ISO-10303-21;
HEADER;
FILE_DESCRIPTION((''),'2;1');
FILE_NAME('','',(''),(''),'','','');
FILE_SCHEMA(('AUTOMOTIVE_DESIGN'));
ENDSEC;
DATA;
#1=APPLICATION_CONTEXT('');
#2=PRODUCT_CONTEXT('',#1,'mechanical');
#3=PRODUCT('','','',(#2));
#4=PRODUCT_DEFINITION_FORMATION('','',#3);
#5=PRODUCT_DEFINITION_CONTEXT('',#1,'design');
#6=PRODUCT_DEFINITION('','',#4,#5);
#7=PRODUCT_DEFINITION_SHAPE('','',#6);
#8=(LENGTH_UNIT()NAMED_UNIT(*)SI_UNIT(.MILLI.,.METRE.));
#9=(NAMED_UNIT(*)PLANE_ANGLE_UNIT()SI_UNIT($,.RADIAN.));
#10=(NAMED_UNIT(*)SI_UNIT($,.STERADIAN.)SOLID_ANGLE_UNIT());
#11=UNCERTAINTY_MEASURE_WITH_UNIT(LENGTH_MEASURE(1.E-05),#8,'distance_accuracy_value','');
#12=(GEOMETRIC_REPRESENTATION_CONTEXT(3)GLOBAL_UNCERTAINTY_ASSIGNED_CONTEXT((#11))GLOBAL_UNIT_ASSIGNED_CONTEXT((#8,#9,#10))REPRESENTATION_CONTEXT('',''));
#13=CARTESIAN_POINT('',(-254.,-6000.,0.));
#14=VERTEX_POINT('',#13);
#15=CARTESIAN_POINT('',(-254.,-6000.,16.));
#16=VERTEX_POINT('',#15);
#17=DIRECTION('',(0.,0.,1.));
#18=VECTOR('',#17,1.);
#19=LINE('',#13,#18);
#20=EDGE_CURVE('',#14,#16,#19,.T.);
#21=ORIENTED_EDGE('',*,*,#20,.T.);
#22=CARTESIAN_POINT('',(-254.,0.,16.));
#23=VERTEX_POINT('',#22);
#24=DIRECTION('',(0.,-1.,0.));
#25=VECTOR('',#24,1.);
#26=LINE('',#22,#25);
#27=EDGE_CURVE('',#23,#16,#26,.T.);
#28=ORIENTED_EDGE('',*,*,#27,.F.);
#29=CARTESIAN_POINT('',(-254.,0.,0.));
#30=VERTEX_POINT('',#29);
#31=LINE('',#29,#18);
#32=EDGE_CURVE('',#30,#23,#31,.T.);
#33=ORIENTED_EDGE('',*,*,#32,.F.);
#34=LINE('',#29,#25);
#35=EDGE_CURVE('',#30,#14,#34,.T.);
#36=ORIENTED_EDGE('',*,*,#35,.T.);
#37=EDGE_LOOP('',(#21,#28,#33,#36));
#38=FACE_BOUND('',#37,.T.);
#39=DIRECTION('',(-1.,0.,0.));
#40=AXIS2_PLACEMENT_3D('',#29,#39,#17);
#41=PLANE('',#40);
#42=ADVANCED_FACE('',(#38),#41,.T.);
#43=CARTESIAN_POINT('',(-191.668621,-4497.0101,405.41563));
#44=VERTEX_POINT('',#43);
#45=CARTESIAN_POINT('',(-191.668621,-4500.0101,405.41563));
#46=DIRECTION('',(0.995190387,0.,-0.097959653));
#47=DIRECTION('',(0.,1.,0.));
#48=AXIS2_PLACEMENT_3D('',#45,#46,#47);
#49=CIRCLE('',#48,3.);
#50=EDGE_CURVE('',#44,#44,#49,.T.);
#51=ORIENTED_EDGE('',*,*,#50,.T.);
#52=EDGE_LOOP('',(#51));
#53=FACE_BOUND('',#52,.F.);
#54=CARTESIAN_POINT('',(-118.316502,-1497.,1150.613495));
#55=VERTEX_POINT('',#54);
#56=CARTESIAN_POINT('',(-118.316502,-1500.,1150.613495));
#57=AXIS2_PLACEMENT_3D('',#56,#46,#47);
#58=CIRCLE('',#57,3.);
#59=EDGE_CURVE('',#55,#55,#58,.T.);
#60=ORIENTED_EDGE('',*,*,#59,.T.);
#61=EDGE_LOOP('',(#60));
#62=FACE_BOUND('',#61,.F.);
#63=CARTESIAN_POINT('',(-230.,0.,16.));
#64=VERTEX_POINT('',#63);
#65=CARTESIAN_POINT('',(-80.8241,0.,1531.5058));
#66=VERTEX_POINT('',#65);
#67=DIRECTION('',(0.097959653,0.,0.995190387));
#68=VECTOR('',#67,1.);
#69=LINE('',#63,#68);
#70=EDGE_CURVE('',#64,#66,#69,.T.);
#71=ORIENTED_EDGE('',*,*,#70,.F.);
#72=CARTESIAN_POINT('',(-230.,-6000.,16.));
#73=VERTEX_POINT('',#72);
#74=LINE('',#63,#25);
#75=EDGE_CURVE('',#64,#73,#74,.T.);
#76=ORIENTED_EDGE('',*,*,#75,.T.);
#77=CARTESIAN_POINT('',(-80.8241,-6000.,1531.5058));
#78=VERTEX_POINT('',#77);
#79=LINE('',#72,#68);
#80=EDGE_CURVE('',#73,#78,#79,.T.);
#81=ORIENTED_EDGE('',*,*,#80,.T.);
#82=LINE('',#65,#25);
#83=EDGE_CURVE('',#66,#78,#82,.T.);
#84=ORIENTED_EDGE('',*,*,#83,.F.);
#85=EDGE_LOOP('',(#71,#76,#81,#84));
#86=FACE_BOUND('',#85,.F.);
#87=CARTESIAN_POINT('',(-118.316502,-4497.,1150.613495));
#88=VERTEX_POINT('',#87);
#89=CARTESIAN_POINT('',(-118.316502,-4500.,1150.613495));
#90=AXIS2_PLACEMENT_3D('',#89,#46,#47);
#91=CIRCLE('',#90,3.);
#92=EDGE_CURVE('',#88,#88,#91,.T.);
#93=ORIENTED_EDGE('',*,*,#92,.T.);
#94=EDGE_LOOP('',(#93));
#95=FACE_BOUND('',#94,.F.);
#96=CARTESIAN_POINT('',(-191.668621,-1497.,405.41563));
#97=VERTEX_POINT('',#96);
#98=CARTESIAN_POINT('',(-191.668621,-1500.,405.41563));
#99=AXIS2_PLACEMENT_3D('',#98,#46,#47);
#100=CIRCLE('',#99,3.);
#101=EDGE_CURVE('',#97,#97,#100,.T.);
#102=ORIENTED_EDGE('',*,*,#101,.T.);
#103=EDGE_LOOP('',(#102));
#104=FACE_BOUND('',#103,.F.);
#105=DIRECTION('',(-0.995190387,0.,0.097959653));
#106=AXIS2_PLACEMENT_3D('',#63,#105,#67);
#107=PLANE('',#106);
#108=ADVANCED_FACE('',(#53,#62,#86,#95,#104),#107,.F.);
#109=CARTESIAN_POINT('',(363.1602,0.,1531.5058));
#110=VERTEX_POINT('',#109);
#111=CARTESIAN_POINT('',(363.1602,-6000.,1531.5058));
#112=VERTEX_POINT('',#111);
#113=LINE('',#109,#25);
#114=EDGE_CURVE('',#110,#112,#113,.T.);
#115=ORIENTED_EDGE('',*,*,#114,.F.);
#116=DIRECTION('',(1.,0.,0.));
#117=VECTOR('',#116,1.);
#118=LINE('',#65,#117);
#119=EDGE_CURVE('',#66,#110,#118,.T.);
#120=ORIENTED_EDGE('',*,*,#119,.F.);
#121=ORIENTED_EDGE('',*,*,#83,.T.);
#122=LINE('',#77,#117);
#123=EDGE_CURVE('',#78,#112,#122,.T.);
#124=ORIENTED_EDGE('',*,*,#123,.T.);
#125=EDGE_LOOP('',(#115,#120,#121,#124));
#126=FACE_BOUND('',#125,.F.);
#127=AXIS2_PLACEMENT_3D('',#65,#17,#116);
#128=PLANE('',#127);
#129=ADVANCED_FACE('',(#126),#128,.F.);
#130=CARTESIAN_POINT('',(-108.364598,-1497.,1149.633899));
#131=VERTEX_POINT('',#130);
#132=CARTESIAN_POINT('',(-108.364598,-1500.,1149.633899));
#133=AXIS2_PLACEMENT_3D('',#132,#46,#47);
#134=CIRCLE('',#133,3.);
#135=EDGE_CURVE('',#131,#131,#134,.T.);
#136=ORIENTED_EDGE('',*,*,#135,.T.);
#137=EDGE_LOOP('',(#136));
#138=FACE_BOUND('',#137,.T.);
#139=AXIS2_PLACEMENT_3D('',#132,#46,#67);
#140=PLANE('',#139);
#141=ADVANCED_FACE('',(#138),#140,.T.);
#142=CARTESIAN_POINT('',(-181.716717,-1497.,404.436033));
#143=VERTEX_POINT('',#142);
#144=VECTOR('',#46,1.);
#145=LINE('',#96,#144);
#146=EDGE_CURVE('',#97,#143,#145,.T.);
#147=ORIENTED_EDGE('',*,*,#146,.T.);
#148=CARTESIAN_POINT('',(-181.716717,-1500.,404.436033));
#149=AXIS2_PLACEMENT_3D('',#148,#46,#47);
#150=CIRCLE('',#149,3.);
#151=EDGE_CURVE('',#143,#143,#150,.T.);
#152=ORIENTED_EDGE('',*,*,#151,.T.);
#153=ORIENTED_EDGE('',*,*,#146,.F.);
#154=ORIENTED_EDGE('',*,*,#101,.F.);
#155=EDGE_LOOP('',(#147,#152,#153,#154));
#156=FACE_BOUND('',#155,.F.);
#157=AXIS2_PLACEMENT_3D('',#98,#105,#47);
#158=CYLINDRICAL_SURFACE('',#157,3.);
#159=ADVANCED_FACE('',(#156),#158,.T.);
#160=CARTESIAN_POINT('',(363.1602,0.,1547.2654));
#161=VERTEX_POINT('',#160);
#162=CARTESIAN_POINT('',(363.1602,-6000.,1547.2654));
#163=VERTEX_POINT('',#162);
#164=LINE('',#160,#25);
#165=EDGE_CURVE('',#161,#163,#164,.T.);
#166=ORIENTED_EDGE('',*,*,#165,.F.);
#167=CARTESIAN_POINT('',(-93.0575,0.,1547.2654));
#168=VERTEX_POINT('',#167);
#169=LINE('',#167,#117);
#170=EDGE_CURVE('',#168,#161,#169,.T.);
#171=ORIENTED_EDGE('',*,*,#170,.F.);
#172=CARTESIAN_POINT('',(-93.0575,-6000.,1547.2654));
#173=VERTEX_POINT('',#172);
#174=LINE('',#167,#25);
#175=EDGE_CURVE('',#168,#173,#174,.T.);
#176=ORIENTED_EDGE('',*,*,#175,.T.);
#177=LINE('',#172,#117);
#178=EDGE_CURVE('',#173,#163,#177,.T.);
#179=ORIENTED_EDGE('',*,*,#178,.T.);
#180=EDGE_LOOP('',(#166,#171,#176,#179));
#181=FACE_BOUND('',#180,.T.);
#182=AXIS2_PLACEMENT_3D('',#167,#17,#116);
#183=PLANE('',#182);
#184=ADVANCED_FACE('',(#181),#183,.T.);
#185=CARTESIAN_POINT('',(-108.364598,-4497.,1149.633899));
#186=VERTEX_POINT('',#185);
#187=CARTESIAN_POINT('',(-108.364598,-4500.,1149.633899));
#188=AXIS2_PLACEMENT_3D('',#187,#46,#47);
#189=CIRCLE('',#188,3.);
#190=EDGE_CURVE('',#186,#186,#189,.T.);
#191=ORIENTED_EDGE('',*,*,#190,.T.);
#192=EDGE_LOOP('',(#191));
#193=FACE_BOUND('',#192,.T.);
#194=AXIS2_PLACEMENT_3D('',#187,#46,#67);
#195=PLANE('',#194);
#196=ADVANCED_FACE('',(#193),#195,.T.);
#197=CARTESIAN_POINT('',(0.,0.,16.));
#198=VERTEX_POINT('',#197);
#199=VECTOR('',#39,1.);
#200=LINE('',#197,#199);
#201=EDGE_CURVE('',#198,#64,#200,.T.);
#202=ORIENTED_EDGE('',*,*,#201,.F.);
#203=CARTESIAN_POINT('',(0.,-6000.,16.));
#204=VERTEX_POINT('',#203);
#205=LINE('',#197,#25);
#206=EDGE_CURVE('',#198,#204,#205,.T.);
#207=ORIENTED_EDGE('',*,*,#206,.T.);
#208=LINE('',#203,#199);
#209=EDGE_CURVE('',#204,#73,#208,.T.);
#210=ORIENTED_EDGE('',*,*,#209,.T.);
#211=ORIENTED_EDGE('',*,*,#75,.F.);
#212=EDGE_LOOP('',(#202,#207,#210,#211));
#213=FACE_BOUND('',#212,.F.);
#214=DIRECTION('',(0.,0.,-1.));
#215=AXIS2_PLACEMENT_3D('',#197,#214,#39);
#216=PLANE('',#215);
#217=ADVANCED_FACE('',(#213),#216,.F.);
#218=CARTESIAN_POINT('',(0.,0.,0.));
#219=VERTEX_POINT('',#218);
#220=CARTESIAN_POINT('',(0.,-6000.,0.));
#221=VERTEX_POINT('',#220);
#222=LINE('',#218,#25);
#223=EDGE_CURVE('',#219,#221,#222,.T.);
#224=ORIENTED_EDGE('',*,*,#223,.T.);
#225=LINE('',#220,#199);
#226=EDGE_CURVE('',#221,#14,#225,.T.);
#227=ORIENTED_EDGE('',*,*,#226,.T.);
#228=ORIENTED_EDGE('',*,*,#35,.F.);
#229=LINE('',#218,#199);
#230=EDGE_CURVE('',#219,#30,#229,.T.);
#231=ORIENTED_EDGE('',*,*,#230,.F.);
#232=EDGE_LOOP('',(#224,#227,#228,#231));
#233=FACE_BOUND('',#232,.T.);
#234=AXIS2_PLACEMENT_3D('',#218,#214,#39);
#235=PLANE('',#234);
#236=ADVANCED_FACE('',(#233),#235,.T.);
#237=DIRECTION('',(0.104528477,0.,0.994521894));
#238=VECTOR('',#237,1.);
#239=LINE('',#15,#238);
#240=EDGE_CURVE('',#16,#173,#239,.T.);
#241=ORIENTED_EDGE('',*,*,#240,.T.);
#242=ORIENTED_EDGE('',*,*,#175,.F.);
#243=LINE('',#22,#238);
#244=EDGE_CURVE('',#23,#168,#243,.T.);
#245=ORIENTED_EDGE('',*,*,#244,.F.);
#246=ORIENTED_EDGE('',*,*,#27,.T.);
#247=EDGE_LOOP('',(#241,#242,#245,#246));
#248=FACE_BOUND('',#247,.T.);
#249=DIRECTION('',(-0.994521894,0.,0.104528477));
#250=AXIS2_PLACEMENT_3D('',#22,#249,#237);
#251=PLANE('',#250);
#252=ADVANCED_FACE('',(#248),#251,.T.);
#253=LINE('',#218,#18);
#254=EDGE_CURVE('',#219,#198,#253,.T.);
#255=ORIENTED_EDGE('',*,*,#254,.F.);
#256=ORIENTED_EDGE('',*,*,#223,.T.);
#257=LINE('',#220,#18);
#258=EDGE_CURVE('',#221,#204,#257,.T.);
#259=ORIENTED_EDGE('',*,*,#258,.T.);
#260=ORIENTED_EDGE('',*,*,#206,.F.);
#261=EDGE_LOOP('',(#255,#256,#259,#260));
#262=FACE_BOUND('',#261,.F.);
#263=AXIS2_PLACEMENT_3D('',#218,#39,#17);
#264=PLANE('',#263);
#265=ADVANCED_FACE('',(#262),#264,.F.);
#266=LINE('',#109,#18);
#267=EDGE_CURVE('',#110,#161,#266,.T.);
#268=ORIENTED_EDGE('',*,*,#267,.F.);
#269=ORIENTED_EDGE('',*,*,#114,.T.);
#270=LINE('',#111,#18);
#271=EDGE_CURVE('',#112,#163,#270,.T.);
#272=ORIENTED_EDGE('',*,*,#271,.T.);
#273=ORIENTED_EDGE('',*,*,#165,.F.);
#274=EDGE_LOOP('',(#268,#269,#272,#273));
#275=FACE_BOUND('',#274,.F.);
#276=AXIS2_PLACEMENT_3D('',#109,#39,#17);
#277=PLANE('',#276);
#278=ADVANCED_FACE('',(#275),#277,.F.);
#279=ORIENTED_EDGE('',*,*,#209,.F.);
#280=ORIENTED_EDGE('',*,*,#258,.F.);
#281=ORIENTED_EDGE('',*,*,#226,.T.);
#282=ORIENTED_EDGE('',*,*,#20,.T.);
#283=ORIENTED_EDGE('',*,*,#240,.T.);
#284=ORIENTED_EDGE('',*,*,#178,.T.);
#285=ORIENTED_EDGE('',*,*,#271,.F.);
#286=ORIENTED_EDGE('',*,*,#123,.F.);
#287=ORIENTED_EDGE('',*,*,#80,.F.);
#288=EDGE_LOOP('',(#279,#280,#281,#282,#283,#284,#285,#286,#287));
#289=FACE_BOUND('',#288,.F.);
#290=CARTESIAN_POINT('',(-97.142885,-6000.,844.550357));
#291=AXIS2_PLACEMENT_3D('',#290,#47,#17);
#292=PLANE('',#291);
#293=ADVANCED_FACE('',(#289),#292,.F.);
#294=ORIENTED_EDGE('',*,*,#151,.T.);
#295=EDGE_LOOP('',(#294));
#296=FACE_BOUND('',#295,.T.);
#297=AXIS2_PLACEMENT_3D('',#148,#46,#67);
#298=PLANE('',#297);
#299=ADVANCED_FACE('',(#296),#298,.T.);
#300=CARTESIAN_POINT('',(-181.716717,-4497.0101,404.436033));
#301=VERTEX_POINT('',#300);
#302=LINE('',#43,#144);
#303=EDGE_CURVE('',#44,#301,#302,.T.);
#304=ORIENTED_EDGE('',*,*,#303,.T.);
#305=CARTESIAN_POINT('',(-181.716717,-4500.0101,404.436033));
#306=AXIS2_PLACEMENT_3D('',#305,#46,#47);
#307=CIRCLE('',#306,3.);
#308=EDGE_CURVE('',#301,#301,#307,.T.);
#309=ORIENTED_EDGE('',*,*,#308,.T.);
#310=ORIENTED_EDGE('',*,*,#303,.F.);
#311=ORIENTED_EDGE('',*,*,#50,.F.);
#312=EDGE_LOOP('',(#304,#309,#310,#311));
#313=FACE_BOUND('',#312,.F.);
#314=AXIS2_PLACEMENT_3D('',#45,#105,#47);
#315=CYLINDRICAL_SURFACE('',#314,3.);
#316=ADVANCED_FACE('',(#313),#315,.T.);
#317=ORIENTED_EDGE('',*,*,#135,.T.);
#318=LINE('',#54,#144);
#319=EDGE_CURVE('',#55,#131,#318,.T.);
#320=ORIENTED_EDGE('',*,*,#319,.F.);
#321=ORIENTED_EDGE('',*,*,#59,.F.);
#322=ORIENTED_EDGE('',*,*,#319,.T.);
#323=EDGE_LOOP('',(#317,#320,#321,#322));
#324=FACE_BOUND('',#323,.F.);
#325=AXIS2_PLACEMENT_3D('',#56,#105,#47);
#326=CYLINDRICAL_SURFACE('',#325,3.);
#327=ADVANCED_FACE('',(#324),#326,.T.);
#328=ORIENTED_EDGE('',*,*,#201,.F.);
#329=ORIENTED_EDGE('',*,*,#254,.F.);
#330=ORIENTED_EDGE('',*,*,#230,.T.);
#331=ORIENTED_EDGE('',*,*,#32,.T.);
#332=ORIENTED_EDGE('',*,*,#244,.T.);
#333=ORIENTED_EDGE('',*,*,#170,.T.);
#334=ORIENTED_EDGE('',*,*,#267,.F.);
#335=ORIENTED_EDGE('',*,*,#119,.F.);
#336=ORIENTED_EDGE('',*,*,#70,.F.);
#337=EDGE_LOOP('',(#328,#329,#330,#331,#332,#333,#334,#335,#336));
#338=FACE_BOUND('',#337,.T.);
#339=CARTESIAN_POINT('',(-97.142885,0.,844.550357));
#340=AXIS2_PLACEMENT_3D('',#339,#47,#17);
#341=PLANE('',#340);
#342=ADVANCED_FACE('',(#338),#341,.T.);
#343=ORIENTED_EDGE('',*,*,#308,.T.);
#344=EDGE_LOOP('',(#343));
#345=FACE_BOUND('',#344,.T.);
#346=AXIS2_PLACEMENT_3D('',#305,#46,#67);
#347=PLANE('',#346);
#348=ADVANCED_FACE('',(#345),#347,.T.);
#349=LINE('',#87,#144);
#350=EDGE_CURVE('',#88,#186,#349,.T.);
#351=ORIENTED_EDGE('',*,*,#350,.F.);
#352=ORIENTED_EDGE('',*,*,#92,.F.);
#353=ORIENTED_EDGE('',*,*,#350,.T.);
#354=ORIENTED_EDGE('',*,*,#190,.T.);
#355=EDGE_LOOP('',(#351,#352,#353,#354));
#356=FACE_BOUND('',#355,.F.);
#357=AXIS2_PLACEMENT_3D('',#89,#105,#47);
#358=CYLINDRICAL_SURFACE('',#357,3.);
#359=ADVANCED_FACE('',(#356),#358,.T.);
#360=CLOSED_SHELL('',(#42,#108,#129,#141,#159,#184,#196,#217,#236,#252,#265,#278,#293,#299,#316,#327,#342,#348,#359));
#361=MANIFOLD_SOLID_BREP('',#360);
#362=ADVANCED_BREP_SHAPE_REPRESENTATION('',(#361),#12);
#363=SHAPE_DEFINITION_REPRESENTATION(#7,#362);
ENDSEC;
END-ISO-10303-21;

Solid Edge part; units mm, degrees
sketch "Sketch1" plane through (0, 0, 0) normal (0, -1, 0) x (1, 0, 0)
  line L0 (-254, 16) -> (-93.0575, 1547.2654)
  line L1 (-93.0575, 1547.2654) -> (363.1602, 1547.2654)
  line L2 (363.1602, 1531.5058) -> (363.1602, 1547.2654)
  line L3 (-80.8241, 1531.5058) -> (363.1602, 1531.5058)
  line L4 (-230, 16) -> (-80.8241, 1531.5058)
  line L5 (0, 16) -> (-230, 16)
  line L6 (0, 0) -> (0, 16)
  line L7 (0, 0) -> (-254, 0)
  line L8 (-254, 0) -> (-254, 16)
extrude "Protrusion1" add sketch "Sketch1" along normal blind 6000
sketch "Sketch2" plane through (-155.5443, -3000, 772.409) normal (0.9952, 0, -0.098) x (0, 1, 0)
  circle A0 centre (-1500, 380.0323) radius 3
extrude "ProtrusiónExtruida_7" add sketch "Sketch2" along normal blind 10
sketch "Sketch3" plane through (-155.5443, -3000, 772.409) normal (0.9952, 0, -0.098) x (0, 1, 0)
  circle A0 centre (-1500.0101, -368.767) radius 3
extrude "ProtrusiónExtruida_8" add sketch "Sketch3" along normal blind 10
sketch "Sketch4" plane through (-155.5443, -3000, 772.409) normal (0.9952, 0, -0.098) x (0, 1, 0)
  circle A0 centre (1500, -368.767) radius 3
extrude "ProtrusiónExtruida_9" add sketch "Sketch4" along normal blind 10
sketch "Sketch5" plane through (-155.5443, -3000, 772.409) normal (0.9952, 0, -0.098) x (0, 1, 0)
  circle A0 centre (1500, 380.0323) radius 3
extrude "ProtrusiónExtruida_10" add sketch "Sketch5" along normal blind 10
